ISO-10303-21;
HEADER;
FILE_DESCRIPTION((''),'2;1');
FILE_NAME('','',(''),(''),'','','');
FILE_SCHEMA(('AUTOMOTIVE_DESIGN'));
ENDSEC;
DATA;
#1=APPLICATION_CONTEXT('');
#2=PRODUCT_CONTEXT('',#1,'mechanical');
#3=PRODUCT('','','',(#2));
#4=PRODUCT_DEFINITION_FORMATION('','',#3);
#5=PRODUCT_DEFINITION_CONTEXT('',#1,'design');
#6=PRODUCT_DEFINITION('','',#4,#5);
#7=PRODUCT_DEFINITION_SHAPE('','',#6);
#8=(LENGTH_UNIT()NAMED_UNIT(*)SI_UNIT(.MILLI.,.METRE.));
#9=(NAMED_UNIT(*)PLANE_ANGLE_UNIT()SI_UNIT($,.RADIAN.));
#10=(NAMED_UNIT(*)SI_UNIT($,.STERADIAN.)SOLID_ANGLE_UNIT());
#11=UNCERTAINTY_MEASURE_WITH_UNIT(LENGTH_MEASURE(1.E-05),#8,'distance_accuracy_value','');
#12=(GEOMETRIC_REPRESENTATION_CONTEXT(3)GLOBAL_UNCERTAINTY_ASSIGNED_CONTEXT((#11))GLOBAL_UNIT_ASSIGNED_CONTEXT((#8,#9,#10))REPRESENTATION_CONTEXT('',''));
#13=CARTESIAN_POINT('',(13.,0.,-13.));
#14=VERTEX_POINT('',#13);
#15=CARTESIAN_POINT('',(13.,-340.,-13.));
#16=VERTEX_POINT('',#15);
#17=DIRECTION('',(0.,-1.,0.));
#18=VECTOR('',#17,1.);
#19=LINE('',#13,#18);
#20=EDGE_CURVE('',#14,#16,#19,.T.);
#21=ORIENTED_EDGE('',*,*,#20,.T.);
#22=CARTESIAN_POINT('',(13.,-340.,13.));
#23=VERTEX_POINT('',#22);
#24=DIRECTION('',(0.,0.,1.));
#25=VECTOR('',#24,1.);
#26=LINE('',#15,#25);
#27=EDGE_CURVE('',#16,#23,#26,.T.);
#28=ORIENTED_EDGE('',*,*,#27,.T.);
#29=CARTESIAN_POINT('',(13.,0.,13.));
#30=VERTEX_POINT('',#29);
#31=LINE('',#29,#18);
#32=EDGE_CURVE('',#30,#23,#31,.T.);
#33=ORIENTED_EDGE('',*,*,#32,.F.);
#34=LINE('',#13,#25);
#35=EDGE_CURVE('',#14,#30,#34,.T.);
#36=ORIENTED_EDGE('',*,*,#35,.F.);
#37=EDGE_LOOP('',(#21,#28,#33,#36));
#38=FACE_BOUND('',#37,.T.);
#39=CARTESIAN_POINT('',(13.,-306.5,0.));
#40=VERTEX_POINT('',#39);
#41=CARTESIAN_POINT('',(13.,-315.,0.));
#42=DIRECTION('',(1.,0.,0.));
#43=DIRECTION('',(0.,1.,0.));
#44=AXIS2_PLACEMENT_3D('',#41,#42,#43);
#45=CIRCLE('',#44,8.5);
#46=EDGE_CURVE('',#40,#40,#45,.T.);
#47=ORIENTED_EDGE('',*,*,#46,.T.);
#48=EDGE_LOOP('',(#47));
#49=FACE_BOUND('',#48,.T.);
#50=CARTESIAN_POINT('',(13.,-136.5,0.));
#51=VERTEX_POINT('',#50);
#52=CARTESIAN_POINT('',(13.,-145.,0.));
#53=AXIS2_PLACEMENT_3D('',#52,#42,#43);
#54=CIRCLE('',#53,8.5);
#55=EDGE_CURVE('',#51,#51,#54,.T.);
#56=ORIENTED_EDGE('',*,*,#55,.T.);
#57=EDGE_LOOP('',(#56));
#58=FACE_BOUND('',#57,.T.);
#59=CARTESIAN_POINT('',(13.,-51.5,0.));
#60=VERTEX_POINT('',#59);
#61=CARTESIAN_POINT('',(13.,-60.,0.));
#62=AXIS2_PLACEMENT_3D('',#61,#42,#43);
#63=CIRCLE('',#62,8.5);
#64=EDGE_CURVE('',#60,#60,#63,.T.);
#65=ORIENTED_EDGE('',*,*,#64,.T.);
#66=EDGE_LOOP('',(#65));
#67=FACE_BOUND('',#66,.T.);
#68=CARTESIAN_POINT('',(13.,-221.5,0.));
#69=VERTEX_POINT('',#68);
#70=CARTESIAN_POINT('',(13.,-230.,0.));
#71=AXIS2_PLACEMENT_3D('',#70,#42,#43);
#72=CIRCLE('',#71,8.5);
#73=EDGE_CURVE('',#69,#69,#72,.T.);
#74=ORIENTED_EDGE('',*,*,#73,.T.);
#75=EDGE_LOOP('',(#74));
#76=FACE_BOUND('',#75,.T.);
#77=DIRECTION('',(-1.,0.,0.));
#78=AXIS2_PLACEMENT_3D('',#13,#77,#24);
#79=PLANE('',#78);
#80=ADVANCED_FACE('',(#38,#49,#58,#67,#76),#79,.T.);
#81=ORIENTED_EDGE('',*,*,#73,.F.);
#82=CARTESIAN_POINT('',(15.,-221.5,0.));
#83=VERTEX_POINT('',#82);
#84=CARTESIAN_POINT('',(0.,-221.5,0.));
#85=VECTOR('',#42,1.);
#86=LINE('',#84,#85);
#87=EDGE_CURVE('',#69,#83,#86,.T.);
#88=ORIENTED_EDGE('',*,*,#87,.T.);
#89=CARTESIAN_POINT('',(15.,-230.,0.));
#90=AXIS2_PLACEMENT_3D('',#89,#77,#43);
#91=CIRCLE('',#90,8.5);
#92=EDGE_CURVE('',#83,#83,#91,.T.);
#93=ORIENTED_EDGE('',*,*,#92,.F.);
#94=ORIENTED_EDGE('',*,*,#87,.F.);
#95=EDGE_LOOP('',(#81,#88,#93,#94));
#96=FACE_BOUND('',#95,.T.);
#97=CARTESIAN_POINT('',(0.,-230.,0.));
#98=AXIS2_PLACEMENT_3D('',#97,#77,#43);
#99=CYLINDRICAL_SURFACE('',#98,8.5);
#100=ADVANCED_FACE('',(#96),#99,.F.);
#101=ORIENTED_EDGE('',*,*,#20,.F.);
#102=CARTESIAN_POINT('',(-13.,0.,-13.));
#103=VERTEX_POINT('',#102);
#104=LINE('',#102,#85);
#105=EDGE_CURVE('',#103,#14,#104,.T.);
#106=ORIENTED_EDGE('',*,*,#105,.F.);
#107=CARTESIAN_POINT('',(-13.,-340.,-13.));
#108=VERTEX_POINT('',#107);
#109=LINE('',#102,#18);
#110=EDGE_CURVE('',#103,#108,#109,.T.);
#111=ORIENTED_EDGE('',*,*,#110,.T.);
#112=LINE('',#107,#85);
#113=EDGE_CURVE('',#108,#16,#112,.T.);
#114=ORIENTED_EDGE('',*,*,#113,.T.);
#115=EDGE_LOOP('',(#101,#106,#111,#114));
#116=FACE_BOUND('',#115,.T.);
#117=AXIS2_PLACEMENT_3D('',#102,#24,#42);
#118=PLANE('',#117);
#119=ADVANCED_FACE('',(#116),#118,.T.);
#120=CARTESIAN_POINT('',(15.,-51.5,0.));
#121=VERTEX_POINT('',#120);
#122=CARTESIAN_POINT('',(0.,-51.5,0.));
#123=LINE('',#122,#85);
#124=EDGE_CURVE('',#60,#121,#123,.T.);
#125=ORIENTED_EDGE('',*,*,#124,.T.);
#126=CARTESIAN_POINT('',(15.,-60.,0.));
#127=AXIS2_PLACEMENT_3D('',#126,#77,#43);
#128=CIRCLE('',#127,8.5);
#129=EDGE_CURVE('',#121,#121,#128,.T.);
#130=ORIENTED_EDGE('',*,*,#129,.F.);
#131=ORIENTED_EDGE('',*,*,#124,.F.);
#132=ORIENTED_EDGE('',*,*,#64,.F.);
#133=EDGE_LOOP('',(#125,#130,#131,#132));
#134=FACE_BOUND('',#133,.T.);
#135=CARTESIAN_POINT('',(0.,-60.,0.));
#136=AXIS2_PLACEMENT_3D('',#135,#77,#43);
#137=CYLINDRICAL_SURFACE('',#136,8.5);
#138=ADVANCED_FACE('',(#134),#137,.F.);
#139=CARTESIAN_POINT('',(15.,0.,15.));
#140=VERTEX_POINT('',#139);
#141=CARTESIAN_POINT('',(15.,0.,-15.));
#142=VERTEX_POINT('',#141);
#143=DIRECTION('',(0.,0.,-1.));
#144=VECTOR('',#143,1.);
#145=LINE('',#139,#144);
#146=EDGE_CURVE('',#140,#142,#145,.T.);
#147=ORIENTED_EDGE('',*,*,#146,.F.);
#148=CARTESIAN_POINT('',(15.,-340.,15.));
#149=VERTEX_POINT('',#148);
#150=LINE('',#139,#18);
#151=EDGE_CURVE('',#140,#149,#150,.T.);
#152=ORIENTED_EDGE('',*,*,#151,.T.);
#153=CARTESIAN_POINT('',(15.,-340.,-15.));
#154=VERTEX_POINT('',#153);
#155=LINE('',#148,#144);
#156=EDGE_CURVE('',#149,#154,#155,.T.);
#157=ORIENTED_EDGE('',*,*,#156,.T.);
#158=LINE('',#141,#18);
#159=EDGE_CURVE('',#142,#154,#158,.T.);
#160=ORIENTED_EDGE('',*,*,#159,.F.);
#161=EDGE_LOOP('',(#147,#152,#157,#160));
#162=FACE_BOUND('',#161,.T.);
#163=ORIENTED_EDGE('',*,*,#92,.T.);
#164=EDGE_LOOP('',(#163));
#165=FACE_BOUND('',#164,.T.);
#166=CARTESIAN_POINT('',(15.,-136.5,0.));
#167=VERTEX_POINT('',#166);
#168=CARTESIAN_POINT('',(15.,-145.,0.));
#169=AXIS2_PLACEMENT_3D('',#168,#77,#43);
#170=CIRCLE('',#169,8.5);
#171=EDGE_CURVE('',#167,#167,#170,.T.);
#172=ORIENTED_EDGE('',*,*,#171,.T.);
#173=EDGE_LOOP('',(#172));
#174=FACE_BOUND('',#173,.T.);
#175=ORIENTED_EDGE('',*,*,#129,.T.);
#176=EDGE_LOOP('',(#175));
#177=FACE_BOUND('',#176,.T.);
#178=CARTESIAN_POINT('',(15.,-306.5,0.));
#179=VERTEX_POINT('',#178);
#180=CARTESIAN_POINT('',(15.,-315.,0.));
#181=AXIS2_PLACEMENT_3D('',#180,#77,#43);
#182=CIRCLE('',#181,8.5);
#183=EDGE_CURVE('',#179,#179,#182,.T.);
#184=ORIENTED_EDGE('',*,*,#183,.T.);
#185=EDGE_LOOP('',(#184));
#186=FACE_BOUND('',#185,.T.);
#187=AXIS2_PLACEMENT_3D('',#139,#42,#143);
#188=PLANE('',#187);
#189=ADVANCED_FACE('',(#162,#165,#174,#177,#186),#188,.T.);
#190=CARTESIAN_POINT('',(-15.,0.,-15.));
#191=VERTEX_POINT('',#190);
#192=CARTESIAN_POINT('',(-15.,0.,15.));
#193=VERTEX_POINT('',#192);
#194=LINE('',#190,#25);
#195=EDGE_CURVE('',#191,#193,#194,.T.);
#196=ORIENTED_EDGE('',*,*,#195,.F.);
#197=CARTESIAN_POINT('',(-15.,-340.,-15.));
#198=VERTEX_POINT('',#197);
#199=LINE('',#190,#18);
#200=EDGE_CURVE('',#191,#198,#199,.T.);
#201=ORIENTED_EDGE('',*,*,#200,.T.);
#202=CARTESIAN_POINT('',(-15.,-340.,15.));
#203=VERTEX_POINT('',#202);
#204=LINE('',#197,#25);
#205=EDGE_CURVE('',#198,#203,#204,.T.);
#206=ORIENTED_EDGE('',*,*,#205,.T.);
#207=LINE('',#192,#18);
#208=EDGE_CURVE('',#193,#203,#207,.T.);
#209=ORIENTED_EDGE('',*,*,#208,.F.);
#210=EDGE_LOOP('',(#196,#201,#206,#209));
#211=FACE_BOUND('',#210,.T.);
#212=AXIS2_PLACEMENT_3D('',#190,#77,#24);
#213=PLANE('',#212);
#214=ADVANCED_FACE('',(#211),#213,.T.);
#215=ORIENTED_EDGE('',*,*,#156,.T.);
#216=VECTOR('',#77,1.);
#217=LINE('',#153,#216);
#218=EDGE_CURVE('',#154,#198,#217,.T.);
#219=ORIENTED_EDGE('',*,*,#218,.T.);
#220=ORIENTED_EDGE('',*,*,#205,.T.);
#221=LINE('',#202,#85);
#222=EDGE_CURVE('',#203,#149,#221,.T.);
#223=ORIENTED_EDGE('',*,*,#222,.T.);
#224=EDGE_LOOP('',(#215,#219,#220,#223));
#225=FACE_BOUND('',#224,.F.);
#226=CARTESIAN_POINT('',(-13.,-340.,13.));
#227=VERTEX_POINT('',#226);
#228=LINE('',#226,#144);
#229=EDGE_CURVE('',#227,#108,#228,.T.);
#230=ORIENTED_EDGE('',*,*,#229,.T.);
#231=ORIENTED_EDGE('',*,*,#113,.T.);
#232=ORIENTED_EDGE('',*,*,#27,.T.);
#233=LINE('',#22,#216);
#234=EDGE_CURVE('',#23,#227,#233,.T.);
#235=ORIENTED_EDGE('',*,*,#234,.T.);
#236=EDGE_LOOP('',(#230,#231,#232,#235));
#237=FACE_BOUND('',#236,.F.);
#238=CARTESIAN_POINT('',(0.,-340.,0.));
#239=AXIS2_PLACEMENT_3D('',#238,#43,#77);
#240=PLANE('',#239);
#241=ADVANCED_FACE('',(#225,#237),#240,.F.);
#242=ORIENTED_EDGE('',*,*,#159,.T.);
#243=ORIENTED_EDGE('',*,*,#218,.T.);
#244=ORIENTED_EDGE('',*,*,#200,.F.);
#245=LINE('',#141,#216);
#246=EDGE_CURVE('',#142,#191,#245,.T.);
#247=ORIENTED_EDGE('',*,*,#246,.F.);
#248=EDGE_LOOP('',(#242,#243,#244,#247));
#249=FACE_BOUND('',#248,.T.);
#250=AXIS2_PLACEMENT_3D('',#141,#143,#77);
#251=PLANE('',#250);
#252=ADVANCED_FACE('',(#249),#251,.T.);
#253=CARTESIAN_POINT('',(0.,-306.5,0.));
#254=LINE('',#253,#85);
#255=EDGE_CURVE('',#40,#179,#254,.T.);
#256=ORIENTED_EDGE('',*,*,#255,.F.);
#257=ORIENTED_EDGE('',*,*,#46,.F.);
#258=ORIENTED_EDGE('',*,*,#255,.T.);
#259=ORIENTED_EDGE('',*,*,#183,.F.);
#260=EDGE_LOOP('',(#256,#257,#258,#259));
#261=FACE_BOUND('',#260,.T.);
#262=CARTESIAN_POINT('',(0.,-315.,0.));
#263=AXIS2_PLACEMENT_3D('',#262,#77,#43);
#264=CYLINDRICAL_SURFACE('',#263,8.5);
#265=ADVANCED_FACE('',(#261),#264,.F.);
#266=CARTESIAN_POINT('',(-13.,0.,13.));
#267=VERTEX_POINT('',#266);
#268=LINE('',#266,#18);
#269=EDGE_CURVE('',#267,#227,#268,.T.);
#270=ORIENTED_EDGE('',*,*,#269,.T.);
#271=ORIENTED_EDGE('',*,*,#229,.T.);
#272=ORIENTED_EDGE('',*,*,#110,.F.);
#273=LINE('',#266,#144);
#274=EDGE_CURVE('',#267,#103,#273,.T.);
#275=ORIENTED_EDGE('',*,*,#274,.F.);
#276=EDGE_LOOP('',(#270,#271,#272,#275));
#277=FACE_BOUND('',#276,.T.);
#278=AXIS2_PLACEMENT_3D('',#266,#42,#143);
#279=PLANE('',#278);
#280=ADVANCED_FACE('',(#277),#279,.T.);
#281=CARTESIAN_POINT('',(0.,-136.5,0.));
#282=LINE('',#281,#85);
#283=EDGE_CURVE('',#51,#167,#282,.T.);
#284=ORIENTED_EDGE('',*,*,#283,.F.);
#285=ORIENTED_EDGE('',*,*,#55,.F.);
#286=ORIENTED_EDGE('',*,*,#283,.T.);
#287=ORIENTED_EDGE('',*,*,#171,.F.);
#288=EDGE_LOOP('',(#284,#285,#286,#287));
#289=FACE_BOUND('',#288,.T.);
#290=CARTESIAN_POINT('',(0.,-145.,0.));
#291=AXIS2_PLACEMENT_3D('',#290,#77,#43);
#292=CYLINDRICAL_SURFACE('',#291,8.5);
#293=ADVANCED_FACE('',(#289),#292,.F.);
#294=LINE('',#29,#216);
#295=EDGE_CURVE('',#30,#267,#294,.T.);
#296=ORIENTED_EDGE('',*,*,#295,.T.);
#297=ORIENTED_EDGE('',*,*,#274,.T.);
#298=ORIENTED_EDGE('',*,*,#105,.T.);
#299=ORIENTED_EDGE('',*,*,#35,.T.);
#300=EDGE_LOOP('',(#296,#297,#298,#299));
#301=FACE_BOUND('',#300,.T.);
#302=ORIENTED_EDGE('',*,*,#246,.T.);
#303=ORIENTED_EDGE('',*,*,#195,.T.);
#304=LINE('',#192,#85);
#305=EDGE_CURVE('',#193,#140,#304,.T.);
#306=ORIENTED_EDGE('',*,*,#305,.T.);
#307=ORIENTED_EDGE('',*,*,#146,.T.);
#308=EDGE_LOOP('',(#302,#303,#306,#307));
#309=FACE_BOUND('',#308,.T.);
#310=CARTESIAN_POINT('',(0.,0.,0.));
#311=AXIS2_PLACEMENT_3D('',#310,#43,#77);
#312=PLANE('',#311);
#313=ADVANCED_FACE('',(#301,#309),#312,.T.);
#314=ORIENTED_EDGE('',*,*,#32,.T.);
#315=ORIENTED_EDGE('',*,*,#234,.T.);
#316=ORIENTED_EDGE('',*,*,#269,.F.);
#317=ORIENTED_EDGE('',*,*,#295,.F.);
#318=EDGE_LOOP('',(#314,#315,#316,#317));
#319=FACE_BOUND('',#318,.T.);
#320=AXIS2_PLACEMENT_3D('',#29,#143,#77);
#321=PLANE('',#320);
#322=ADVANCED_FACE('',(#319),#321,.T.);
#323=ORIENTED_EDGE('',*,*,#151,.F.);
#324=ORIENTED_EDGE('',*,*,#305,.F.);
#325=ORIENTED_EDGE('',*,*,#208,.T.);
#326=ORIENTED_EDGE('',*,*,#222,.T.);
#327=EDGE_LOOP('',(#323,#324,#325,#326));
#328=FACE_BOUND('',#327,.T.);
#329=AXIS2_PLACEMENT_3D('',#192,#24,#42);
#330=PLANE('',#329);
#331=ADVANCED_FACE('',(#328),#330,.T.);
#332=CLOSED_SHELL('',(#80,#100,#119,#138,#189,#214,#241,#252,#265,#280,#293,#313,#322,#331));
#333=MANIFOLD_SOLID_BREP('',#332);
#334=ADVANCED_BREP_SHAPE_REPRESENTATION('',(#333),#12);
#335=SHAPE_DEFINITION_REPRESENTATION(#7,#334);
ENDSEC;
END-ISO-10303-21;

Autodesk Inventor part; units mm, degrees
ref_plane "YZ Plane" through (0, 0, 0) normal (1, 0, 0) x (0, 1, 0)
ref_plane "XZ Plane" through (0, 0, 0) normal (0, 1, 0) x (-1, 0, 0)
ref_plane "XY Plane" through (0, 0, 0) normal (0, 0, 1) x (1, 0, 0)
sketch "Sketch9" plane through (0, 0, 0) normal (0, 1, 0) x (-1, 0, 0)
  line L0 (15, 15) -> (-15, 15)
  line L1 (-15, 15) -> (-15, -15)
  line L2 (-15, -15) -> (15, -15)
  line L3 (15, -15) -> (15, 15)
  line L4 (15, 15) -> (-15, -15) construction
  line L5 (-15, 15) -> (15, -15) construction
  line L6 (-13, 13) -> (13, 13)
  line L7 (13, 13) -> (13, -13)
  line L8 (13, -13) -> (-13, -13)
  line L9 (-13, -13) -> (-13, 13)
  point P0 (0, 0)
  dimension "d172" = 30
  dimension "d173" = 30
  dimension "d174" = 2
extrude "Extrusion3" add sketch "Sketch9" against normal blind 340
sketch "Sketch10" plane through (0, 0, 0) normal (1, 0, 0) x (0, 1, 0)
  line L0 (0, 15) -> (0, -15) construction
  line L1 (0, 15) -> (-340, 15) construction
  line L2 (-340, -15) -> (-340, 15) construction
  line L3 (0, -15) -> (-340, -15) construction
  line L4 (-68.5, 8.5) -> (-51.5, 8.5)
  line L5 (-51.5, 8.5) -> (-51.5, -8.5)
  line L6 (-51.5, -8.5) -> (-68.5, -8.5)
  line L7 (-68.5, -8.5) -> (-68.5, 8.5)
  line L8 (-68.5, 8.5) -> (-51.5, -8.5) construction
  line L9 (-51.5, 8.5) -> (-68.5, -8.5) construction
  line L10 (0, 0) -> (30, 0)
  circle A0 centre (-60, 0) radius 8.5
  dimension "d177" = 17
  dimension "d178" = 17
  dimension "d181" = 30
  dimension "d182" = 90
extrude "Extrusion4" cut sketch "Sketch10" along normal through all contours A0
pattern_linear "Rectangular Pattern4" count 4 spacing 85 along (0, -1, 0) of "Extrusion4"
properties part number "SLM 1661 FDS 1000 way tube 1" material "Stainless Steel"
